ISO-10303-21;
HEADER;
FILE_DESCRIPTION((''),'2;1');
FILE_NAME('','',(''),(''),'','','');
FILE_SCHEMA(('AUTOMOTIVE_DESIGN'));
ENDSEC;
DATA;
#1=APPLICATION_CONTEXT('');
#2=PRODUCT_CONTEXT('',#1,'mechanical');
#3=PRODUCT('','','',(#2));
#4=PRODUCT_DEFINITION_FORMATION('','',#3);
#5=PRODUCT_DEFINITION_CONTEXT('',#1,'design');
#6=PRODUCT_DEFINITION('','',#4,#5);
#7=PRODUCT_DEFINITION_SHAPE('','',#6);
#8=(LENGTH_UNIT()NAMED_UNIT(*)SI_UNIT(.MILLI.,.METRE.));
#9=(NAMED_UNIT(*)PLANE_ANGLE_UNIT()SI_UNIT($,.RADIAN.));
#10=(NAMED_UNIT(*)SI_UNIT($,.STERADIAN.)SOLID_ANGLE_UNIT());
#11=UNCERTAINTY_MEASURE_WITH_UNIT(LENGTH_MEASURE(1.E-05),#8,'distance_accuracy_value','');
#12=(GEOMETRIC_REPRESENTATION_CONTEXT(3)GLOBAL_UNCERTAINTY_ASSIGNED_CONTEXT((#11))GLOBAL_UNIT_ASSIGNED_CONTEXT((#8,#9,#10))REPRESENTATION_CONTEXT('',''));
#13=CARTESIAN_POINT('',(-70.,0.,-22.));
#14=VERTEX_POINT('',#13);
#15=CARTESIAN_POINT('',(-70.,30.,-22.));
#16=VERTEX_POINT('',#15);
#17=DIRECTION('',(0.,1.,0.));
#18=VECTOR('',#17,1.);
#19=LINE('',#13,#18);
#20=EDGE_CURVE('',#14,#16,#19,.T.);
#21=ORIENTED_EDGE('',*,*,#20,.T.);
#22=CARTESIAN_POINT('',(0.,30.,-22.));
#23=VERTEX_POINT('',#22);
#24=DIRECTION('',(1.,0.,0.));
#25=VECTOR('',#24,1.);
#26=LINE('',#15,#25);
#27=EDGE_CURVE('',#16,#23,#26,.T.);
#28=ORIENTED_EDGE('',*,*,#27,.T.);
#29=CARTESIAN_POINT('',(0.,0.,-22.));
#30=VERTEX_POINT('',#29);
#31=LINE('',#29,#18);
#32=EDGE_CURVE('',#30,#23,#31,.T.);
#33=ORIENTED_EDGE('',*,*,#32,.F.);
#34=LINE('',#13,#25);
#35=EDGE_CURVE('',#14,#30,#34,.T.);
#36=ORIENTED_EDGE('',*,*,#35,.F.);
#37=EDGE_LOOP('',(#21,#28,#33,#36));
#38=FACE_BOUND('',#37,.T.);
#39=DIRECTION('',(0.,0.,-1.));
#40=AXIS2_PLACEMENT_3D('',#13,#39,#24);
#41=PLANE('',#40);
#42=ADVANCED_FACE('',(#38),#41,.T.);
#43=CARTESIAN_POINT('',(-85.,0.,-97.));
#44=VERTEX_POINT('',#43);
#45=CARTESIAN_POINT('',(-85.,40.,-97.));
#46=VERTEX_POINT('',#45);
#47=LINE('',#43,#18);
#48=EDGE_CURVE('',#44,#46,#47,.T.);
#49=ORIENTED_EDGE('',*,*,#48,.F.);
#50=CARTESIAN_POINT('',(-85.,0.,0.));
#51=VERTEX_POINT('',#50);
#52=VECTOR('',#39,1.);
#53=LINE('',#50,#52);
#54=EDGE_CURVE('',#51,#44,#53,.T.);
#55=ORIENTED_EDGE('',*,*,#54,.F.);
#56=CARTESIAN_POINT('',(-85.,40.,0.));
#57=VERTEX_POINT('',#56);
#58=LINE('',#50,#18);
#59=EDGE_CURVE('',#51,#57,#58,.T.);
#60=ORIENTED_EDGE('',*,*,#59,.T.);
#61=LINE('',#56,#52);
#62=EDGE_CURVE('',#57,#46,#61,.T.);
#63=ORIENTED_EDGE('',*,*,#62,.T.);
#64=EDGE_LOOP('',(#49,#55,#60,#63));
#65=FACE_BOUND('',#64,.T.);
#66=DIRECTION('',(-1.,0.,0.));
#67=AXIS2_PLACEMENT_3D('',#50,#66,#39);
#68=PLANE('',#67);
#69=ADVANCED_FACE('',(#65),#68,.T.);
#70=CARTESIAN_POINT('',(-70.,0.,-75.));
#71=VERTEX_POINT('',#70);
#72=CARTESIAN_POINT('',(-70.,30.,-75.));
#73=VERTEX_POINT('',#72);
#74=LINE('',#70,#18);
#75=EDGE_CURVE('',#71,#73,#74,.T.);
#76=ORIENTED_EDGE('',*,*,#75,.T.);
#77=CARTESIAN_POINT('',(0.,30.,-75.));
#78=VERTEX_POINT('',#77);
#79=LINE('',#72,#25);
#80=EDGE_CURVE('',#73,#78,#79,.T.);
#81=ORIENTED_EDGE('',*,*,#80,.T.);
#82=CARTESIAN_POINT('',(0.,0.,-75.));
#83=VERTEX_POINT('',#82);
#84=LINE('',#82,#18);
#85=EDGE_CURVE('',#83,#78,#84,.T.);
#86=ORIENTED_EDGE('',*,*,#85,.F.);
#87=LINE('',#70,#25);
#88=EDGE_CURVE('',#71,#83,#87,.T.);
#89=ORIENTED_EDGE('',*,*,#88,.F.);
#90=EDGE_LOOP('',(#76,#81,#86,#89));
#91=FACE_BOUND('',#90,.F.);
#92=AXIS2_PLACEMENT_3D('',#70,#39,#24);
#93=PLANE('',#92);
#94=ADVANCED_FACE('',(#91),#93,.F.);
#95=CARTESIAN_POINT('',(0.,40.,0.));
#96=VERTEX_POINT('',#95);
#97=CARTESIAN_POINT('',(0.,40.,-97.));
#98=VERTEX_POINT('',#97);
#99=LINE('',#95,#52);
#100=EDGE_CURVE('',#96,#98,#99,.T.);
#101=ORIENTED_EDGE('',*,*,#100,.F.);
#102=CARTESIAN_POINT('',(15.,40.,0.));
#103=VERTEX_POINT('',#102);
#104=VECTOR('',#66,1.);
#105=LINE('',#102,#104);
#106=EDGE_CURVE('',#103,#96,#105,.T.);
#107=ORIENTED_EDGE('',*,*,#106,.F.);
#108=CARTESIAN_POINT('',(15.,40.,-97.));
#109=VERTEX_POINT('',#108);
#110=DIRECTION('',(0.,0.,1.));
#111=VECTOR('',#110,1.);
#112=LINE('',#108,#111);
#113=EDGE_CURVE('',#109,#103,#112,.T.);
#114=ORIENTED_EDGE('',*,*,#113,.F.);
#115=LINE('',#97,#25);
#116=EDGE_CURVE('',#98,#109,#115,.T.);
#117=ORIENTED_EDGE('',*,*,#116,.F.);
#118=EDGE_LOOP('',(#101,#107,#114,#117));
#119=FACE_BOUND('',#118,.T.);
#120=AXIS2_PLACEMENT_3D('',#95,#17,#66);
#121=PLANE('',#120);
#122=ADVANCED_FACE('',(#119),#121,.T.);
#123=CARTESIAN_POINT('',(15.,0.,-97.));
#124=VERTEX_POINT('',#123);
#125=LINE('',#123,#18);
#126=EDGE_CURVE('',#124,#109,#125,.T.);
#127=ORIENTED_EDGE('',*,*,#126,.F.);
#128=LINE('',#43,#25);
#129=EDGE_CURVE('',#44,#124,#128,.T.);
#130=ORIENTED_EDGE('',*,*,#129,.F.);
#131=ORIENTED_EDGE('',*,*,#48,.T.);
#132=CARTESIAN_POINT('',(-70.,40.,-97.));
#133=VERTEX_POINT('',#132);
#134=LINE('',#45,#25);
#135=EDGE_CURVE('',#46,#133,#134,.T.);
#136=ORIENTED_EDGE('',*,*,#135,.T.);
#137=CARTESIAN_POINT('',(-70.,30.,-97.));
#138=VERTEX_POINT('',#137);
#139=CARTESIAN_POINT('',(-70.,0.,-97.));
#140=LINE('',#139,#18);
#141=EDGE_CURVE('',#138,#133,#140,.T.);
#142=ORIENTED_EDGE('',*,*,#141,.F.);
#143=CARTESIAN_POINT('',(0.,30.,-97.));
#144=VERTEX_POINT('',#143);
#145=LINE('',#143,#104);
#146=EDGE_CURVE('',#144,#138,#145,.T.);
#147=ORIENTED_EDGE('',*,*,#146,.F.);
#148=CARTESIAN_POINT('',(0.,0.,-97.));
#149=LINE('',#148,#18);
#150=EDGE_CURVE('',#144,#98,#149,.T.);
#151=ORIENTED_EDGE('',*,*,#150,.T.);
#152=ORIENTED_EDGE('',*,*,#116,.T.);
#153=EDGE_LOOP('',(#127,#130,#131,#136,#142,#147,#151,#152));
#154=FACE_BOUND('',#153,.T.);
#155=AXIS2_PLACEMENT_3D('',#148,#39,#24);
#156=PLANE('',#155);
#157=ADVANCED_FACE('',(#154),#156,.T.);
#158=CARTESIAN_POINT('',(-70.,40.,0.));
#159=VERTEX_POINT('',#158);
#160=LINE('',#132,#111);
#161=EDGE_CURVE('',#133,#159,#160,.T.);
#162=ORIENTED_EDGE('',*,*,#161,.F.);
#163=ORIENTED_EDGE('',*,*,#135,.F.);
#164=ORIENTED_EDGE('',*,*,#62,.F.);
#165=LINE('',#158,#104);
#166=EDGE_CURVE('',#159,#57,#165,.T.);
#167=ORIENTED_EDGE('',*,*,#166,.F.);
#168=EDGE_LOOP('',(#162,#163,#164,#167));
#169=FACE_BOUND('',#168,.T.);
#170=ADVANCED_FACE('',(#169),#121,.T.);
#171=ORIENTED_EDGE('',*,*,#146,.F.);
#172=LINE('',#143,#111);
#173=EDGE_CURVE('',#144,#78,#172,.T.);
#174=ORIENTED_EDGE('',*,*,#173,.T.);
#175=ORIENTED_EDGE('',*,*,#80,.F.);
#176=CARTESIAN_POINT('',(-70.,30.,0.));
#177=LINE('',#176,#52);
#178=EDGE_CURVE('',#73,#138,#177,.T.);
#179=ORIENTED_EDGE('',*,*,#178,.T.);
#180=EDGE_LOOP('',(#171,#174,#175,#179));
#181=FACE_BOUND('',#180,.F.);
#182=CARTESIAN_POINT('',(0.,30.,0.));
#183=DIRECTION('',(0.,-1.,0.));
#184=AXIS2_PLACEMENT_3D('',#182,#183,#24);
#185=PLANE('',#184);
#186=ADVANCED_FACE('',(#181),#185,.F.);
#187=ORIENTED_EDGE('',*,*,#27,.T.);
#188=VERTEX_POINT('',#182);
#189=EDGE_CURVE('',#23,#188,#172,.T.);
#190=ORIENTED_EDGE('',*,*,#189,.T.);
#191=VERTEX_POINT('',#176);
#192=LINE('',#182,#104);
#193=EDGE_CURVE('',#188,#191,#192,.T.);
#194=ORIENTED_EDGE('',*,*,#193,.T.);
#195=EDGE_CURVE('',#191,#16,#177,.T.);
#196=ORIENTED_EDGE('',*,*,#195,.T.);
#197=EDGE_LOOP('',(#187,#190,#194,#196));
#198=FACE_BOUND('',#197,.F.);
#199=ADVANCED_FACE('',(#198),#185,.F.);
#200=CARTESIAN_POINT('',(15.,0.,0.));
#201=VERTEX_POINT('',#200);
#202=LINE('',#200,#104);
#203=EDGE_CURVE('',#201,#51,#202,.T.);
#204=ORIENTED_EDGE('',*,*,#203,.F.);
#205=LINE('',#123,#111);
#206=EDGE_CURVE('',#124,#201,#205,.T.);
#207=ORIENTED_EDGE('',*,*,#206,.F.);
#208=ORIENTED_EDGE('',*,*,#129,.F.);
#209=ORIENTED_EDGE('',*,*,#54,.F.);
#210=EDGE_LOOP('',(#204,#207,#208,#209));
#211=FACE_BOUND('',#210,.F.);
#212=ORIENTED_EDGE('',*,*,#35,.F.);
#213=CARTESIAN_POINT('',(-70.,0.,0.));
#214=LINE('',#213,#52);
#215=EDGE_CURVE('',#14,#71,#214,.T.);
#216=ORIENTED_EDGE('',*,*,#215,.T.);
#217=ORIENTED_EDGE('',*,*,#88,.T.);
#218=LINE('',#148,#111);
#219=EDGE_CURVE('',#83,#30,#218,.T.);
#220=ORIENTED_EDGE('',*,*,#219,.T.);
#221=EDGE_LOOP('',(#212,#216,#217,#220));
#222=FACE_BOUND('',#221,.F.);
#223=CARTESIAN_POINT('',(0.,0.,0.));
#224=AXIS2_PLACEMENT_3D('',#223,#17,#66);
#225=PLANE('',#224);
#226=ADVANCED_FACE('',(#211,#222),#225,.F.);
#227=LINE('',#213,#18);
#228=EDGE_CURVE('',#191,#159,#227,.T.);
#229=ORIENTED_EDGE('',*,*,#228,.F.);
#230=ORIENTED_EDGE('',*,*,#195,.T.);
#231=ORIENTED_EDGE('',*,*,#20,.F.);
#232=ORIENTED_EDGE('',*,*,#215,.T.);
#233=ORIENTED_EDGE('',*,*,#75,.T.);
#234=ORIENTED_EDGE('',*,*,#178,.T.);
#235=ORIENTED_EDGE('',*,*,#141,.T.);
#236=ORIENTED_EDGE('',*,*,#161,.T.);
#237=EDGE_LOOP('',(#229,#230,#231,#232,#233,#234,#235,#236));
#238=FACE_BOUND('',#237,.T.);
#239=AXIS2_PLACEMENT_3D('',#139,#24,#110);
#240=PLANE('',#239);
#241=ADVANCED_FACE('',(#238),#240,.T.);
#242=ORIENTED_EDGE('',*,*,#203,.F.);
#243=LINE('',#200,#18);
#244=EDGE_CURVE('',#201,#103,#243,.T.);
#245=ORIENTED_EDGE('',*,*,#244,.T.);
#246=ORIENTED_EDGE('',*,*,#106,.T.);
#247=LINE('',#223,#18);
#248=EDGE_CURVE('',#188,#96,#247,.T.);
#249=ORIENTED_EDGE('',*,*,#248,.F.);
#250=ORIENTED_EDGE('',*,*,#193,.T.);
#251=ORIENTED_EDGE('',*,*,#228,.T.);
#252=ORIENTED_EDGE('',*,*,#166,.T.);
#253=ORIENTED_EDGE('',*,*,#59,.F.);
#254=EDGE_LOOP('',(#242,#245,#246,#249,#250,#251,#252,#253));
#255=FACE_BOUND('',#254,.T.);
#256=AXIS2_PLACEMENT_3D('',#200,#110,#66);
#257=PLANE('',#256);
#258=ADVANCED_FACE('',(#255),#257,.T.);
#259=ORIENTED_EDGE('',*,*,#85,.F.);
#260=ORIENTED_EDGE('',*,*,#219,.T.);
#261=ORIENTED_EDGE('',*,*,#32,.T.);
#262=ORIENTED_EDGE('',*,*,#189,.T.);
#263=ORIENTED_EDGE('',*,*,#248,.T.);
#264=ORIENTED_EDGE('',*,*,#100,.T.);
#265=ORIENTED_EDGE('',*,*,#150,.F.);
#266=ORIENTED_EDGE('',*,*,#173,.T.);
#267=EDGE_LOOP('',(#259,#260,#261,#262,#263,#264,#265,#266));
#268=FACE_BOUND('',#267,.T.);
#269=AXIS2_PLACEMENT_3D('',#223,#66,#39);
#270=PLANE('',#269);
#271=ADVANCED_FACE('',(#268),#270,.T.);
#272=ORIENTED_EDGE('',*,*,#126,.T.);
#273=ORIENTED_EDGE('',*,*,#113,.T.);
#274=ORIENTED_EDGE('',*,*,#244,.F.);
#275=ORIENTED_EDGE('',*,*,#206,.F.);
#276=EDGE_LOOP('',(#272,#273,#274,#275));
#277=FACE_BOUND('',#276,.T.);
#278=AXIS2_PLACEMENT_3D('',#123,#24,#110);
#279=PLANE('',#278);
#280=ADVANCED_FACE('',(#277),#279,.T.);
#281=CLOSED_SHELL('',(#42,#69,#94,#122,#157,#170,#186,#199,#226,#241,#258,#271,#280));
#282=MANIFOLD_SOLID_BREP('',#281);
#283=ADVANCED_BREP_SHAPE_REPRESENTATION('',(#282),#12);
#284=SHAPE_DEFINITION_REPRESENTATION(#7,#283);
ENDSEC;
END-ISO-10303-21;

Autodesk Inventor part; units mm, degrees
ref_plane "YZ Plane" through (0, 0, 0) normal (1, 0, 0) x (0, 1, 0)
ref_plane "XZ Plane" through (0, 0, 0) normal (0, 1, 0) x (-1, 0, 0)
ref_plane "XY Plane" through (0, 0, 0) normal (0, 0, 1) x (1, 0, 0)
sketch "Szkic1" plane through (0, 0, 0) normal (0, 1, 0) x (-1, 0, 0)
  line L0 (0, 0) -> (0, -97)
  line L1 (0, -97) -> (70, -97)
  line L2 (70, -97) -> (70, 0)
  line L3 (70, 0) -> (0, 0)
  line L4 (70, 0) -> (85, 0)
  line L5 (85, 0) -> (85, -97)
  line L6 (85, -97) -> (70, -97)
  line L7 (0, -97) -> (-15, -97)
  line L8 (-15, -97) -> (-15, 0)
  line L9 (-15, 0) -> (0, 0)
  line L10 (70, 0) -> (70, -25)
  line L11 (70, -25) -> (0, -25)
  line L12 (70, -97) -> (70, -72)
  line L13 (70, -72) -> (0, -72)
  line L14 (70, -48.5) -> (70, -72.5)
  line L15 (70, -48.5) -> (70, -24.5)
  line L16 (0, -48.5) -> (0, -72.5)
  line L17 (0, -48.5) -> (0, -24.5)
  dimension "d0" = 97
  dimension "d1" = 70
  dimension "d2" = 15
  dimension "d3" = 15
  dimension "d4" = 25
  dimension "d5" = 25
  dimension "d6" = 24
  dimension "d7" = 24
  dimension "d8" = 24
  dimension "d9" = 24
extrude "Wyciągnięcie proste1" add sketch "Szkic1" along normal blind 40 contours L0 L7 L8 L9 | L4 L5 L6 L2
sketch "Szkic2" plane through (0, 40, 0) normal (0, 1, 0) x (1, 0, 0)
  point P0 (0, 0)
sketch "Szkic3" plane through (0, 0, 0) normal (0, -1, 0) x (1, 0, 0)
  line L0 (-70, 0) -> (-70, -97) projected
  line L1 (-70, 0) -> (-70, -22)
  line L2 (-70, -22) -> (0, -22)
  line L3 (0, -97) -> (0, 0) projected
  line L4 (0, -22) -> (0, 0)
  line L5 (0, 0) -> (-70, 0)
  line L6 (-70, -97) -> (-70, -75)
  line L7 (-70, -75) -> (0, -75)
  line L8 (0, -97) -> (-70, -97)
  dimension "d12" = 22
  dimension "d13" = 22
extrude "Wyciągnięcie proste2" add sketch "Szkic3" against normal blind 30 contours L5 L3 L2 L0 | L7 L3 L8 L0
sketch "Szkic4" plane through (-85, 0, -97) normal (-1, 0, 0) x (0, 0, 1)
  line L0 (0, 0) -> (97, 0) projected
  line L1 (0, 0) -> (48.5, 0)
  line L2 (48.5, 0) -> (72.5, 0)
  line L3 (75, 0) -> (22, 0) projected
  line L4 (48.5, 0) -> (24.5, 0)
  line L5 (0, 0) -> (0, 40) projected
  line L6 (24.5, 0) -> (0, 0)
  line L7 (24.5, 0) -> (24.5, 15.2326)
  line L8 (24.5, 0) -> (39.7326, 0) construction
  line L9 (24.5, 0) -> (24.5, 20)
  circle A0 centre (24.5, 20) radius 20
  line L10 (24.5, 20) -> (72.5, 20)
  circle A1 centre (72.5, 20) radius 20
  dimension "d16" = 48.5
  dimension "d17" = 24
  dimension "d18" = 24
  dimension "d19" = 90
  dimension "d20" = 20
  dimension "d21" = 48
properties part number "podwozie"
